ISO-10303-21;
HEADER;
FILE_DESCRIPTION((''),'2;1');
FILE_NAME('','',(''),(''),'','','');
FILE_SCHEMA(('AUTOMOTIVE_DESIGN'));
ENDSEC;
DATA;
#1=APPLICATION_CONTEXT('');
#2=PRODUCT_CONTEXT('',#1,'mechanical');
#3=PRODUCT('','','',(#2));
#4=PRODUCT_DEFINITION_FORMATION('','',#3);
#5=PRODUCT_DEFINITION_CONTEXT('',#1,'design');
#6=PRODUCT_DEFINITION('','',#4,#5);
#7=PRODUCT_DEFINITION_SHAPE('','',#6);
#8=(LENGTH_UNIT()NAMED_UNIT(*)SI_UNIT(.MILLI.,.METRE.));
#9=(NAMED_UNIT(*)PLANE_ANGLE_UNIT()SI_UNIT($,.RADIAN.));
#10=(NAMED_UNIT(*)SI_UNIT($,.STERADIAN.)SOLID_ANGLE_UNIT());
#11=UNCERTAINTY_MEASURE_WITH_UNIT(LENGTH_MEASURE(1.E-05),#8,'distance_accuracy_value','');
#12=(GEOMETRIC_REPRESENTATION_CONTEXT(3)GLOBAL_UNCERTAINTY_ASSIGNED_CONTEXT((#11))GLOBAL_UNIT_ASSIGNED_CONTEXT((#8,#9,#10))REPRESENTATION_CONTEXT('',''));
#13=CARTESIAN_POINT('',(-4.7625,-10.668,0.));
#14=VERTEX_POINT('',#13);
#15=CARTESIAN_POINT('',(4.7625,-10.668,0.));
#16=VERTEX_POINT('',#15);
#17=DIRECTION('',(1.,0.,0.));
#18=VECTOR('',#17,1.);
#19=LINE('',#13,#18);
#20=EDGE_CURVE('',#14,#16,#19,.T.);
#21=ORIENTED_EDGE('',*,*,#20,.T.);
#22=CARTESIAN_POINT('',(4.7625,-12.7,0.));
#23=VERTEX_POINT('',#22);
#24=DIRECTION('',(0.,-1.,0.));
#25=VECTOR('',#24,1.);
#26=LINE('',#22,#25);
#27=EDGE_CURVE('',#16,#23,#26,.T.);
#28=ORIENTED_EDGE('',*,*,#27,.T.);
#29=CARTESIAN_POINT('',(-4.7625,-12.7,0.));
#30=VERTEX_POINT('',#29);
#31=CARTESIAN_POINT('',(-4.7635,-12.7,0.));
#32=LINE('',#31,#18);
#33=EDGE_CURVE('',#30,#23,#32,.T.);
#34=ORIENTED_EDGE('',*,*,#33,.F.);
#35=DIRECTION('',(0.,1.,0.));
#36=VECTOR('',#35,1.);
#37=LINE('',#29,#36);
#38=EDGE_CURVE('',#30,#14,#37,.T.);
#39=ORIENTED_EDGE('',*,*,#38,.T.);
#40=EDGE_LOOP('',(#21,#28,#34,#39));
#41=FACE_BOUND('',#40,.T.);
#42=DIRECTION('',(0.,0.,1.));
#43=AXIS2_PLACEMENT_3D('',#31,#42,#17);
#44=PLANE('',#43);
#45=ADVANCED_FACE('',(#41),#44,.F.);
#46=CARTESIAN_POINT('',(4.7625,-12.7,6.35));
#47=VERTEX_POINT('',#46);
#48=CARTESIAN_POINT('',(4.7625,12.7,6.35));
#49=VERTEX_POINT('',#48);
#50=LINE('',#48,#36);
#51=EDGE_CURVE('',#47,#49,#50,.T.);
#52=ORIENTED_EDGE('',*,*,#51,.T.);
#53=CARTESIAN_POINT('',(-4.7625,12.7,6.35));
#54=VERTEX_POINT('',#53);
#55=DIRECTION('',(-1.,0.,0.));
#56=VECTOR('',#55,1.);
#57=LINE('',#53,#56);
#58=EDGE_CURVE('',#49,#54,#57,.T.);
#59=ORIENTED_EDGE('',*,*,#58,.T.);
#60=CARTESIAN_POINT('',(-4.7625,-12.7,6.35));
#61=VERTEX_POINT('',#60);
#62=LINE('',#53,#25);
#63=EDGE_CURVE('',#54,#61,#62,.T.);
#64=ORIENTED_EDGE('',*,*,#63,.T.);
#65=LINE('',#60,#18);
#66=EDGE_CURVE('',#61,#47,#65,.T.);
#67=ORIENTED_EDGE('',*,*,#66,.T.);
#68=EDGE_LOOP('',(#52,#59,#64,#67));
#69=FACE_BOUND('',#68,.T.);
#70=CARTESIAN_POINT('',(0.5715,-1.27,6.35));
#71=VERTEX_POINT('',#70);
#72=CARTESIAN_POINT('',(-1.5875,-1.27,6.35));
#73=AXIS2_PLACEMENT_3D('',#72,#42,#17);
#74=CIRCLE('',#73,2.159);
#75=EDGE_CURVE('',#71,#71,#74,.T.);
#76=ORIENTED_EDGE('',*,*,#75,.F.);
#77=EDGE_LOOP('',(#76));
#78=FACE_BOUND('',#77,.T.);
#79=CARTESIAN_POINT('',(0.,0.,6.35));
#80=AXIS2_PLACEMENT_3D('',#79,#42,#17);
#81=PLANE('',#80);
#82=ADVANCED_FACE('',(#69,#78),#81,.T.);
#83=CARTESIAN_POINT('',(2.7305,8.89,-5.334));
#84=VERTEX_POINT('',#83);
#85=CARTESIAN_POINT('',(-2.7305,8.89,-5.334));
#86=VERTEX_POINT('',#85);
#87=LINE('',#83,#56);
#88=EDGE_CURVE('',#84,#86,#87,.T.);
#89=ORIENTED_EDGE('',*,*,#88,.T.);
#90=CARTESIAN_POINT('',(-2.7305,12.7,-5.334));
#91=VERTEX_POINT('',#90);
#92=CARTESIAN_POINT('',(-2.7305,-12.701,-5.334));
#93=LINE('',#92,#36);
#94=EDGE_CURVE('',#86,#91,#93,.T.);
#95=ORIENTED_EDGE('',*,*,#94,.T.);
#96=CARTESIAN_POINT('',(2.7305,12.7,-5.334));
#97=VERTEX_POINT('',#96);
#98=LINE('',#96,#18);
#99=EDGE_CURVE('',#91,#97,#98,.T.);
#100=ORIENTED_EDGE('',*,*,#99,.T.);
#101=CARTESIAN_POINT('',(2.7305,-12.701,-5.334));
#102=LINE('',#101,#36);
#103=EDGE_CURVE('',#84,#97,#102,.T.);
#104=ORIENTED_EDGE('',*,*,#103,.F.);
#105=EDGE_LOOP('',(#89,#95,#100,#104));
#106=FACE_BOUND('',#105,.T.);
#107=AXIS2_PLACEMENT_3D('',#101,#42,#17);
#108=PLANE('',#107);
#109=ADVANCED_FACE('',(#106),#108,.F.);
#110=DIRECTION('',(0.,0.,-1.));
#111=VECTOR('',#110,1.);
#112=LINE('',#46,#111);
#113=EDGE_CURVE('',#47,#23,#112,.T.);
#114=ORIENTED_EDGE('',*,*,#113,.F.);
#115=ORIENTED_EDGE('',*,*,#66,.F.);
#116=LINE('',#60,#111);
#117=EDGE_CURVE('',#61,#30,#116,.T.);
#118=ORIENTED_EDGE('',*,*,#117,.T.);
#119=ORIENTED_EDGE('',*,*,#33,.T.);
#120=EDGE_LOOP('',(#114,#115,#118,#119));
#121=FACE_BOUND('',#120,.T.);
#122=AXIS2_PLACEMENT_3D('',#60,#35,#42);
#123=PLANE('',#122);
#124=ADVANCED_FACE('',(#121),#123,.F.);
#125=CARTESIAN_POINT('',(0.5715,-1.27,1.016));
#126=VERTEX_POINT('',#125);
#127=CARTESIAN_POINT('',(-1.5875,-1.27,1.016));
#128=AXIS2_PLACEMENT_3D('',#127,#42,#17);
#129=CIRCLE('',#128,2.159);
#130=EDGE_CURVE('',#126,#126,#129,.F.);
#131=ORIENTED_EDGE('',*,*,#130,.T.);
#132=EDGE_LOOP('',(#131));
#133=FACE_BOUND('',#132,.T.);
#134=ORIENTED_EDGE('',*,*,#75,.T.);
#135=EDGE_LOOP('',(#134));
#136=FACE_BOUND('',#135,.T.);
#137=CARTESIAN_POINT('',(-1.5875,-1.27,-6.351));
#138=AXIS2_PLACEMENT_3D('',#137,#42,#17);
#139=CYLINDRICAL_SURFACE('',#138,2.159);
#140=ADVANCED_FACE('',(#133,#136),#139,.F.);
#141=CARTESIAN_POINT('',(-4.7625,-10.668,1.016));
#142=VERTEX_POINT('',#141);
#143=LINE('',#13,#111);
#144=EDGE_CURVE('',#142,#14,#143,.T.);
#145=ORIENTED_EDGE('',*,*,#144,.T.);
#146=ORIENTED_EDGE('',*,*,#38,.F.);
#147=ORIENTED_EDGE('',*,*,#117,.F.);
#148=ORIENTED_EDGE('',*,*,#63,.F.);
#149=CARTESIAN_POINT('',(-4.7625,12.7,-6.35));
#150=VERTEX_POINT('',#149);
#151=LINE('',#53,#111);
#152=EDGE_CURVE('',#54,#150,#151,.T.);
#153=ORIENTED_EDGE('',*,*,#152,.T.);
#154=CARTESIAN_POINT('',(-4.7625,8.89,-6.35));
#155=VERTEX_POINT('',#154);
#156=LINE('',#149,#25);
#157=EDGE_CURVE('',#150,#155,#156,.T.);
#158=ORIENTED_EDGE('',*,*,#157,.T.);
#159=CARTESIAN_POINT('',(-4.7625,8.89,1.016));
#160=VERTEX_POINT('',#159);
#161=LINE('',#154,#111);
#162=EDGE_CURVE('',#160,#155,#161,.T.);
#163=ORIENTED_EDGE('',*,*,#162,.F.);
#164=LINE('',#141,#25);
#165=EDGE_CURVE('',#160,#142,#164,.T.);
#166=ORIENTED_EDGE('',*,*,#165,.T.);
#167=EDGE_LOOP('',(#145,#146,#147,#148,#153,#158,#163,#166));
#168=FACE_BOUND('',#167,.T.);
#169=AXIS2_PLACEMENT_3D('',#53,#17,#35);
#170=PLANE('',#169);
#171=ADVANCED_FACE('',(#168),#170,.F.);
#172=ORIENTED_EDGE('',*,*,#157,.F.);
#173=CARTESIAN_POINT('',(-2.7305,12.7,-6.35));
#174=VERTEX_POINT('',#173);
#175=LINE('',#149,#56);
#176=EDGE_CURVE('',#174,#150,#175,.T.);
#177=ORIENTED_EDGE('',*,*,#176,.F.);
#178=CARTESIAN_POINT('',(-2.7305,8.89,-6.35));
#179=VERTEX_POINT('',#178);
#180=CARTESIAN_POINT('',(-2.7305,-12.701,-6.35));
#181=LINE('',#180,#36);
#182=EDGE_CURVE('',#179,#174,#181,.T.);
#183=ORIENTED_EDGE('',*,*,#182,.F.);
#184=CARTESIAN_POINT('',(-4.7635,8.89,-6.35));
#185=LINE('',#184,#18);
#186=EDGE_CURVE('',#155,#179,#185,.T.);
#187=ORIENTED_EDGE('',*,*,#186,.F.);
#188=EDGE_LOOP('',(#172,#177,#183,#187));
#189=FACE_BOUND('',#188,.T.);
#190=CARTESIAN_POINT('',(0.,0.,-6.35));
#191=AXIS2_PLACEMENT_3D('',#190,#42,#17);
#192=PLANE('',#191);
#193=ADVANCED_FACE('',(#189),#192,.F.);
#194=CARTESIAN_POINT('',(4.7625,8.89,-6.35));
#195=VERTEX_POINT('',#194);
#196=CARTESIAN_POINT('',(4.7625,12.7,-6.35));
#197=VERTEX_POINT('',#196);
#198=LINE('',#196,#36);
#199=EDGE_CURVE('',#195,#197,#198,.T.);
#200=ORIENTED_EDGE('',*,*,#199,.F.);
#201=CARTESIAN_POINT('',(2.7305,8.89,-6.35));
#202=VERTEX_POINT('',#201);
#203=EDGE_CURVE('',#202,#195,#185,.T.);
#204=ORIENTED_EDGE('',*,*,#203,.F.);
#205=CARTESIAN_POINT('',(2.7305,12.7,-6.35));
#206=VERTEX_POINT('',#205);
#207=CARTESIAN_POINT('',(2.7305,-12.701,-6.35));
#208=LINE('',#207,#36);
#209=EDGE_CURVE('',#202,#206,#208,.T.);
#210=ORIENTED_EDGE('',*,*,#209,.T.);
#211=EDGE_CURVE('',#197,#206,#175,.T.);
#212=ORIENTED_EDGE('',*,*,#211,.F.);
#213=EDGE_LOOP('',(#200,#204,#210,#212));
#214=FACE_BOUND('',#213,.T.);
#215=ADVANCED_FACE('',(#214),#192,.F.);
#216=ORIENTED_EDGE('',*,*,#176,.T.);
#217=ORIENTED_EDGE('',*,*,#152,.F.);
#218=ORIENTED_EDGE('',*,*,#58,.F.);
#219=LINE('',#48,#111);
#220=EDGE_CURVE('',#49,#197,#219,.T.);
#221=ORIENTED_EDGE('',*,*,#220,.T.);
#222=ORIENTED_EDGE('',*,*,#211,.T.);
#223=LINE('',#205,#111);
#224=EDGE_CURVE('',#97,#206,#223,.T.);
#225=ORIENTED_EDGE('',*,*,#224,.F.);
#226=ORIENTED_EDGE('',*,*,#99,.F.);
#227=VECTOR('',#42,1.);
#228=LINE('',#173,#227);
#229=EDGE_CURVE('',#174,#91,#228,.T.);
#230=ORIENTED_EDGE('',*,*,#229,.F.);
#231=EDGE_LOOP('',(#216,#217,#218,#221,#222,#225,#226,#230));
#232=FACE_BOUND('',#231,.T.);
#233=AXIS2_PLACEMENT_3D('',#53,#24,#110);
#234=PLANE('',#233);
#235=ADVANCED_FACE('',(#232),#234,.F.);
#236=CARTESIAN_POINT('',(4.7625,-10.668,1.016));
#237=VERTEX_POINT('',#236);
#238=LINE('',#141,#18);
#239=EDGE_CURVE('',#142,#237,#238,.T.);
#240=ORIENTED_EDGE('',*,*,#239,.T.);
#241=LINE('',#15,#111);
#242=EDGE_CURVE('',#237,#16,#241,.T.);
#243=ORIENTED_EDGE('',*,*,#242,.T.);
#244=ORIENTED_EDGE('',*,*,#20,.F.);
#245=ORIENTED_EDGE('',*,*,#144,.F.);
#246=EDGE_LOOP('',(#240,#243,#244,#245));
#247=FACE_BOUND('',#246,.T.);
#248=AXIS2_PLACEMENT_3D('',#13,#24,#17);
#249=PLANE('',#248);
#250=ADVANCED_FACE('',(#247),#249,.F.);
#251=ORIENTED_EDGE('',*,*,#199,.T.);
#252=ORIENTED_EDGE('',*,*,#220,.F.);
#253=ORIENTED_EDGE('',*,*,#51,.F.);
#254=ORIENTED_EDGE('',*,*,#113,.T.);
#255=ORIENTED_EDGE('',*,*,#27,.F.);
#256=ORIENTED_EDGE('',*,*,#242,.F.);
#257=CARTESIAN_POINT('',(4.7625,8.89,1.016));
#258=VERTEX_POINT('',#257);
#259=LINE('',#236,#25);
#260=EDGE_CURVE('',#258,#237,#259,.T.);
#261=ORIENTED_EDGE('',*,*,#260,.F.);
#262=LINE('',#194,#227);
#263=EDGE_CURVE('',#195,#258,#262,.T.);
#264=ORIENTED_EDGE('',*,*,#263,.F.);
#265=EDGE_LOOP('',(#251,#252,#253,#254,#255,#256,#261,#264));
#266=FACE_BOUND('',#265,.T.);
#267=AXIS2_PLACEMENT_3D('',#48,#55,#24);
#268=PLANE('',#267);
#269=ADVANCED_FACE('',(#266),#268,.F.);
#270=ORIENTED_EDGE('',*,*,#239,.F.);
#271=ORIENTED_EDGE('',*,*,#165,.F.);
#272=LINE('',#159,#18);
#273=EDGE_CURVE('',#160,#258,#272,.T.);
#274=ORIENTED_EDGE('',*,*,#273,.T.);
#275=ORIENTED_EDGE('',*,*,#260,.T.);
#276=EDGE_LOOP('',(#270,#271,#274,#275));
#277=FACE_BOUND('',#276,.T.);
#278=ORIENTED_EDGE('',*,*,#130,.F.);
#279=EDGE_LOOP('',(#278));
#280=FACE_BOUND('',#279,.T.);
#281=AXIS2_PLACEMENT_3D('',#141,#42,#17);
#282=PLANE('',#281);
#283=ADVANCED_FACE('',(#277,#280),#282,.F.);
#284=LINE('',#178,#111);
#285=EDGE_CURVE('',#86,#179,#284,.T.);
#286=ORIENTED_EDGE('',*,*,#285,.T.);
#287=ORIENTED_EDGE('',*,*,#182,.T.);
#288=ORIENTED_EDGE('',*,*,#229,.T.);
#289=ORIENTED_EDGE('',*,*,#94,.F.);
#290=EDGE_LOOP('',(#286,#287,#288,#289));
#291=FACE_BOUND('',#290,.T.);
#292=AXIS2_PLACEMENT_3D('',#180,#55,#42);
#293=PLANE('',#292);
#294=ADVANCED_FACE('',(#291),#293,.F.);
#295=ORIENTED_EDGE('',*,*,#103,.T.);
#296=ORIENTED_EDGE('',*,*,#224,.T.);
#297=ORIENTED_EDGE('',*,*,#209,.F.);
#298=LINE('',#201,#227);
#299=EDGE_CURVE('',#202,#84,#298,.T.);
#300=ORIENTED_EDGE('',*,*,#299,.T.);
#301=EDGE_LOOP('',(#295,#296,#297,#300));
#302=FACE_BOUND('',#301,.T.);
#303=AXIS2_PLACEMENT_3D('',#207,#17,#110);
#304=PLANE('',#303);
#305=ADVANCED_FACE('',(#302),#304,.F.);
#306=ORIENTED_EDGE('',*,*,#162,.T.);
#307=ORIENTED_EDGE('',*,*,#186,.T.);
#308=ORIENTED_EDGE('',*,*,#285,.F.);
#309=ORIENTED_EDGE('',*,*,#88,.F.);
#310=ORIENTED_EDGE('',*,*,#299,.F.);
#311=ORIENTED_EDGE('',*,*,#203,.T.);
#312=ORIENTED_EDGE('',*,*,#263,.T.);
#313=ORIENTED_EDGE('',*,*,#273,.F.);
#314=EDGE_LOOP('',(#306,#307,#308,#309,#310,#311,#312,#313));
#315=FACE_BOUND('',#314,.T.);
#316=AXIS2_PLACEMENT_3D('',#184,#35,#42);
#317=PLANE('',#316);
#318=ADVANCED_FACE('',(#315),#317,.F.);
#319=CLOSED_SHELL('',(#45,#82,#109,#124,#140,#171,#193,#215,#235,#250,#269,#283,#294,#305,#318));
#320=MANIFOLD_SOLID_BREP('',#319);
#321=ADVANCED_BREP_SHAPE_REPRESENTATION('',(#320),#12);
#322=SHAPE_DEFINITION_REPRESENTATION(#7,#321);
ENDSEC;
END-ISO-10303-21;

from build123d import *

# Parameters (mm, degrees)
SKETCH1_W           = 9.525
SKETCH1_H           = 25.4
BOSS_EXTRUDE1_DEPTH = 6.35
CUT_EXTRUDE1_REACH  = 19.098
SKETCH2_W           = 6.35
SKETCH2_H           = 21.59
CUT_EXTRUDE2_REACH  = 20.581
SKETCH3_R           = 2.159
CUT_EXTRUDE3_REACH  = 28.611
SKETCH4_W           = 5.461
SKETCH4_H           = 1.016
SKETCH5_W           = 1.016
SKETCH5_H           = 19.558
CUT_EXTRUDE4_DEPTH  = 18.097898263


with BuildPart() as part:
    # Sketch1 → Boss-Extrude1 (new, symmetric)
    with BuildSketch(Plane.XY):
        Rectangle(SKETCH1_W, SKETCH1_H)
    extrude(amount=BOSS_EXTRUDE1_DEPTH, both=True)

    # Sketch2 → Cut-Extrude1 (cut, up to next)
    with BuildSketch(Plane(origin=(4.7625, 0, 0), x_dir=(0, 0, -1), z_dir=(1, 0, 0)), mode=Mode.PRIVATE) as cut_extrude1_sk1:
        with Locations((3.175, -1.905)):
            Rectangle(SKETCH2_W, SKETCH2_H)
    cut_extrude1_tool1 = extrude(cut_extrude1_sk1.sketch, amount=-CUT_EXTRUDE1_REACH, mode=Mode.PRIVATE) & part.part
    add(cut_extrude1_tool1.solids().sort_by_distance((4.7625, -1.905, -3.175))[0], mode=Mode.SUBTRACT)

    # Sketch3 → Cut-Extrude2 (cut, up to next)
    with BuildSketch(Plane.XY.offset(6.35), mode=Mode.PRIVATE) as cut_extrude2_sk1:
        with Locations((-1.5875, -1.27)):
            Circle(SKETCH3_R)
    cut_extrude2_tool1 = extrude(cut_extrude2_sk1.sketch, amount=-CUT_EXTRUDE2_REACH, mode=Mode.PRIVATE) & part.part
    add(cut_extrude2_tool1.solids().sort_by_distance((-1.5875, -1.27, 6.35))[0], mode=Mode.SUBTRACT)

    # Sketch4 → Cut-Extrude3 (cut, up to next)
    with BuildSketch(Plane(origin=(0, 12.7, 0), x_dir=(1, 0, 0), z_dir=(0, 1, 0)), mode=Mode.PRIVATE) as cut_extrude3_sk1:
        with Locations((0, 5.842)):
            Rectangle(SKETCH4_W, SKETCH4_H)
    cut_extrude3_tool1 = extrude(cut_extrude3_sk1.sketch, amount=-CUT_EXTRUDE3_REACH, mode=Mode.PRIVATE) & part.part
    add(cut_extrude3_tool1.solids().sort_by_distance((0, 12.7, -5.842))[0], mode=Mode.SUBTRACT)

    # Sketch5 → Cut-Extrude4 (cut, through all)
    with BuildSketch(Plane(origin=(4.7625, 0, 0), x_dir=(0, 0, -1), z_dir=(1, 0, 0))):
        with Locations((-0.508, -0.889)):
            Rectangle(SKETCH5_W, SKETCH5_H)
    extrude(amount=-CUT_EXTRUDE4_DEPTH, mode=Mode.SUBTRACT)


solid = part.part
